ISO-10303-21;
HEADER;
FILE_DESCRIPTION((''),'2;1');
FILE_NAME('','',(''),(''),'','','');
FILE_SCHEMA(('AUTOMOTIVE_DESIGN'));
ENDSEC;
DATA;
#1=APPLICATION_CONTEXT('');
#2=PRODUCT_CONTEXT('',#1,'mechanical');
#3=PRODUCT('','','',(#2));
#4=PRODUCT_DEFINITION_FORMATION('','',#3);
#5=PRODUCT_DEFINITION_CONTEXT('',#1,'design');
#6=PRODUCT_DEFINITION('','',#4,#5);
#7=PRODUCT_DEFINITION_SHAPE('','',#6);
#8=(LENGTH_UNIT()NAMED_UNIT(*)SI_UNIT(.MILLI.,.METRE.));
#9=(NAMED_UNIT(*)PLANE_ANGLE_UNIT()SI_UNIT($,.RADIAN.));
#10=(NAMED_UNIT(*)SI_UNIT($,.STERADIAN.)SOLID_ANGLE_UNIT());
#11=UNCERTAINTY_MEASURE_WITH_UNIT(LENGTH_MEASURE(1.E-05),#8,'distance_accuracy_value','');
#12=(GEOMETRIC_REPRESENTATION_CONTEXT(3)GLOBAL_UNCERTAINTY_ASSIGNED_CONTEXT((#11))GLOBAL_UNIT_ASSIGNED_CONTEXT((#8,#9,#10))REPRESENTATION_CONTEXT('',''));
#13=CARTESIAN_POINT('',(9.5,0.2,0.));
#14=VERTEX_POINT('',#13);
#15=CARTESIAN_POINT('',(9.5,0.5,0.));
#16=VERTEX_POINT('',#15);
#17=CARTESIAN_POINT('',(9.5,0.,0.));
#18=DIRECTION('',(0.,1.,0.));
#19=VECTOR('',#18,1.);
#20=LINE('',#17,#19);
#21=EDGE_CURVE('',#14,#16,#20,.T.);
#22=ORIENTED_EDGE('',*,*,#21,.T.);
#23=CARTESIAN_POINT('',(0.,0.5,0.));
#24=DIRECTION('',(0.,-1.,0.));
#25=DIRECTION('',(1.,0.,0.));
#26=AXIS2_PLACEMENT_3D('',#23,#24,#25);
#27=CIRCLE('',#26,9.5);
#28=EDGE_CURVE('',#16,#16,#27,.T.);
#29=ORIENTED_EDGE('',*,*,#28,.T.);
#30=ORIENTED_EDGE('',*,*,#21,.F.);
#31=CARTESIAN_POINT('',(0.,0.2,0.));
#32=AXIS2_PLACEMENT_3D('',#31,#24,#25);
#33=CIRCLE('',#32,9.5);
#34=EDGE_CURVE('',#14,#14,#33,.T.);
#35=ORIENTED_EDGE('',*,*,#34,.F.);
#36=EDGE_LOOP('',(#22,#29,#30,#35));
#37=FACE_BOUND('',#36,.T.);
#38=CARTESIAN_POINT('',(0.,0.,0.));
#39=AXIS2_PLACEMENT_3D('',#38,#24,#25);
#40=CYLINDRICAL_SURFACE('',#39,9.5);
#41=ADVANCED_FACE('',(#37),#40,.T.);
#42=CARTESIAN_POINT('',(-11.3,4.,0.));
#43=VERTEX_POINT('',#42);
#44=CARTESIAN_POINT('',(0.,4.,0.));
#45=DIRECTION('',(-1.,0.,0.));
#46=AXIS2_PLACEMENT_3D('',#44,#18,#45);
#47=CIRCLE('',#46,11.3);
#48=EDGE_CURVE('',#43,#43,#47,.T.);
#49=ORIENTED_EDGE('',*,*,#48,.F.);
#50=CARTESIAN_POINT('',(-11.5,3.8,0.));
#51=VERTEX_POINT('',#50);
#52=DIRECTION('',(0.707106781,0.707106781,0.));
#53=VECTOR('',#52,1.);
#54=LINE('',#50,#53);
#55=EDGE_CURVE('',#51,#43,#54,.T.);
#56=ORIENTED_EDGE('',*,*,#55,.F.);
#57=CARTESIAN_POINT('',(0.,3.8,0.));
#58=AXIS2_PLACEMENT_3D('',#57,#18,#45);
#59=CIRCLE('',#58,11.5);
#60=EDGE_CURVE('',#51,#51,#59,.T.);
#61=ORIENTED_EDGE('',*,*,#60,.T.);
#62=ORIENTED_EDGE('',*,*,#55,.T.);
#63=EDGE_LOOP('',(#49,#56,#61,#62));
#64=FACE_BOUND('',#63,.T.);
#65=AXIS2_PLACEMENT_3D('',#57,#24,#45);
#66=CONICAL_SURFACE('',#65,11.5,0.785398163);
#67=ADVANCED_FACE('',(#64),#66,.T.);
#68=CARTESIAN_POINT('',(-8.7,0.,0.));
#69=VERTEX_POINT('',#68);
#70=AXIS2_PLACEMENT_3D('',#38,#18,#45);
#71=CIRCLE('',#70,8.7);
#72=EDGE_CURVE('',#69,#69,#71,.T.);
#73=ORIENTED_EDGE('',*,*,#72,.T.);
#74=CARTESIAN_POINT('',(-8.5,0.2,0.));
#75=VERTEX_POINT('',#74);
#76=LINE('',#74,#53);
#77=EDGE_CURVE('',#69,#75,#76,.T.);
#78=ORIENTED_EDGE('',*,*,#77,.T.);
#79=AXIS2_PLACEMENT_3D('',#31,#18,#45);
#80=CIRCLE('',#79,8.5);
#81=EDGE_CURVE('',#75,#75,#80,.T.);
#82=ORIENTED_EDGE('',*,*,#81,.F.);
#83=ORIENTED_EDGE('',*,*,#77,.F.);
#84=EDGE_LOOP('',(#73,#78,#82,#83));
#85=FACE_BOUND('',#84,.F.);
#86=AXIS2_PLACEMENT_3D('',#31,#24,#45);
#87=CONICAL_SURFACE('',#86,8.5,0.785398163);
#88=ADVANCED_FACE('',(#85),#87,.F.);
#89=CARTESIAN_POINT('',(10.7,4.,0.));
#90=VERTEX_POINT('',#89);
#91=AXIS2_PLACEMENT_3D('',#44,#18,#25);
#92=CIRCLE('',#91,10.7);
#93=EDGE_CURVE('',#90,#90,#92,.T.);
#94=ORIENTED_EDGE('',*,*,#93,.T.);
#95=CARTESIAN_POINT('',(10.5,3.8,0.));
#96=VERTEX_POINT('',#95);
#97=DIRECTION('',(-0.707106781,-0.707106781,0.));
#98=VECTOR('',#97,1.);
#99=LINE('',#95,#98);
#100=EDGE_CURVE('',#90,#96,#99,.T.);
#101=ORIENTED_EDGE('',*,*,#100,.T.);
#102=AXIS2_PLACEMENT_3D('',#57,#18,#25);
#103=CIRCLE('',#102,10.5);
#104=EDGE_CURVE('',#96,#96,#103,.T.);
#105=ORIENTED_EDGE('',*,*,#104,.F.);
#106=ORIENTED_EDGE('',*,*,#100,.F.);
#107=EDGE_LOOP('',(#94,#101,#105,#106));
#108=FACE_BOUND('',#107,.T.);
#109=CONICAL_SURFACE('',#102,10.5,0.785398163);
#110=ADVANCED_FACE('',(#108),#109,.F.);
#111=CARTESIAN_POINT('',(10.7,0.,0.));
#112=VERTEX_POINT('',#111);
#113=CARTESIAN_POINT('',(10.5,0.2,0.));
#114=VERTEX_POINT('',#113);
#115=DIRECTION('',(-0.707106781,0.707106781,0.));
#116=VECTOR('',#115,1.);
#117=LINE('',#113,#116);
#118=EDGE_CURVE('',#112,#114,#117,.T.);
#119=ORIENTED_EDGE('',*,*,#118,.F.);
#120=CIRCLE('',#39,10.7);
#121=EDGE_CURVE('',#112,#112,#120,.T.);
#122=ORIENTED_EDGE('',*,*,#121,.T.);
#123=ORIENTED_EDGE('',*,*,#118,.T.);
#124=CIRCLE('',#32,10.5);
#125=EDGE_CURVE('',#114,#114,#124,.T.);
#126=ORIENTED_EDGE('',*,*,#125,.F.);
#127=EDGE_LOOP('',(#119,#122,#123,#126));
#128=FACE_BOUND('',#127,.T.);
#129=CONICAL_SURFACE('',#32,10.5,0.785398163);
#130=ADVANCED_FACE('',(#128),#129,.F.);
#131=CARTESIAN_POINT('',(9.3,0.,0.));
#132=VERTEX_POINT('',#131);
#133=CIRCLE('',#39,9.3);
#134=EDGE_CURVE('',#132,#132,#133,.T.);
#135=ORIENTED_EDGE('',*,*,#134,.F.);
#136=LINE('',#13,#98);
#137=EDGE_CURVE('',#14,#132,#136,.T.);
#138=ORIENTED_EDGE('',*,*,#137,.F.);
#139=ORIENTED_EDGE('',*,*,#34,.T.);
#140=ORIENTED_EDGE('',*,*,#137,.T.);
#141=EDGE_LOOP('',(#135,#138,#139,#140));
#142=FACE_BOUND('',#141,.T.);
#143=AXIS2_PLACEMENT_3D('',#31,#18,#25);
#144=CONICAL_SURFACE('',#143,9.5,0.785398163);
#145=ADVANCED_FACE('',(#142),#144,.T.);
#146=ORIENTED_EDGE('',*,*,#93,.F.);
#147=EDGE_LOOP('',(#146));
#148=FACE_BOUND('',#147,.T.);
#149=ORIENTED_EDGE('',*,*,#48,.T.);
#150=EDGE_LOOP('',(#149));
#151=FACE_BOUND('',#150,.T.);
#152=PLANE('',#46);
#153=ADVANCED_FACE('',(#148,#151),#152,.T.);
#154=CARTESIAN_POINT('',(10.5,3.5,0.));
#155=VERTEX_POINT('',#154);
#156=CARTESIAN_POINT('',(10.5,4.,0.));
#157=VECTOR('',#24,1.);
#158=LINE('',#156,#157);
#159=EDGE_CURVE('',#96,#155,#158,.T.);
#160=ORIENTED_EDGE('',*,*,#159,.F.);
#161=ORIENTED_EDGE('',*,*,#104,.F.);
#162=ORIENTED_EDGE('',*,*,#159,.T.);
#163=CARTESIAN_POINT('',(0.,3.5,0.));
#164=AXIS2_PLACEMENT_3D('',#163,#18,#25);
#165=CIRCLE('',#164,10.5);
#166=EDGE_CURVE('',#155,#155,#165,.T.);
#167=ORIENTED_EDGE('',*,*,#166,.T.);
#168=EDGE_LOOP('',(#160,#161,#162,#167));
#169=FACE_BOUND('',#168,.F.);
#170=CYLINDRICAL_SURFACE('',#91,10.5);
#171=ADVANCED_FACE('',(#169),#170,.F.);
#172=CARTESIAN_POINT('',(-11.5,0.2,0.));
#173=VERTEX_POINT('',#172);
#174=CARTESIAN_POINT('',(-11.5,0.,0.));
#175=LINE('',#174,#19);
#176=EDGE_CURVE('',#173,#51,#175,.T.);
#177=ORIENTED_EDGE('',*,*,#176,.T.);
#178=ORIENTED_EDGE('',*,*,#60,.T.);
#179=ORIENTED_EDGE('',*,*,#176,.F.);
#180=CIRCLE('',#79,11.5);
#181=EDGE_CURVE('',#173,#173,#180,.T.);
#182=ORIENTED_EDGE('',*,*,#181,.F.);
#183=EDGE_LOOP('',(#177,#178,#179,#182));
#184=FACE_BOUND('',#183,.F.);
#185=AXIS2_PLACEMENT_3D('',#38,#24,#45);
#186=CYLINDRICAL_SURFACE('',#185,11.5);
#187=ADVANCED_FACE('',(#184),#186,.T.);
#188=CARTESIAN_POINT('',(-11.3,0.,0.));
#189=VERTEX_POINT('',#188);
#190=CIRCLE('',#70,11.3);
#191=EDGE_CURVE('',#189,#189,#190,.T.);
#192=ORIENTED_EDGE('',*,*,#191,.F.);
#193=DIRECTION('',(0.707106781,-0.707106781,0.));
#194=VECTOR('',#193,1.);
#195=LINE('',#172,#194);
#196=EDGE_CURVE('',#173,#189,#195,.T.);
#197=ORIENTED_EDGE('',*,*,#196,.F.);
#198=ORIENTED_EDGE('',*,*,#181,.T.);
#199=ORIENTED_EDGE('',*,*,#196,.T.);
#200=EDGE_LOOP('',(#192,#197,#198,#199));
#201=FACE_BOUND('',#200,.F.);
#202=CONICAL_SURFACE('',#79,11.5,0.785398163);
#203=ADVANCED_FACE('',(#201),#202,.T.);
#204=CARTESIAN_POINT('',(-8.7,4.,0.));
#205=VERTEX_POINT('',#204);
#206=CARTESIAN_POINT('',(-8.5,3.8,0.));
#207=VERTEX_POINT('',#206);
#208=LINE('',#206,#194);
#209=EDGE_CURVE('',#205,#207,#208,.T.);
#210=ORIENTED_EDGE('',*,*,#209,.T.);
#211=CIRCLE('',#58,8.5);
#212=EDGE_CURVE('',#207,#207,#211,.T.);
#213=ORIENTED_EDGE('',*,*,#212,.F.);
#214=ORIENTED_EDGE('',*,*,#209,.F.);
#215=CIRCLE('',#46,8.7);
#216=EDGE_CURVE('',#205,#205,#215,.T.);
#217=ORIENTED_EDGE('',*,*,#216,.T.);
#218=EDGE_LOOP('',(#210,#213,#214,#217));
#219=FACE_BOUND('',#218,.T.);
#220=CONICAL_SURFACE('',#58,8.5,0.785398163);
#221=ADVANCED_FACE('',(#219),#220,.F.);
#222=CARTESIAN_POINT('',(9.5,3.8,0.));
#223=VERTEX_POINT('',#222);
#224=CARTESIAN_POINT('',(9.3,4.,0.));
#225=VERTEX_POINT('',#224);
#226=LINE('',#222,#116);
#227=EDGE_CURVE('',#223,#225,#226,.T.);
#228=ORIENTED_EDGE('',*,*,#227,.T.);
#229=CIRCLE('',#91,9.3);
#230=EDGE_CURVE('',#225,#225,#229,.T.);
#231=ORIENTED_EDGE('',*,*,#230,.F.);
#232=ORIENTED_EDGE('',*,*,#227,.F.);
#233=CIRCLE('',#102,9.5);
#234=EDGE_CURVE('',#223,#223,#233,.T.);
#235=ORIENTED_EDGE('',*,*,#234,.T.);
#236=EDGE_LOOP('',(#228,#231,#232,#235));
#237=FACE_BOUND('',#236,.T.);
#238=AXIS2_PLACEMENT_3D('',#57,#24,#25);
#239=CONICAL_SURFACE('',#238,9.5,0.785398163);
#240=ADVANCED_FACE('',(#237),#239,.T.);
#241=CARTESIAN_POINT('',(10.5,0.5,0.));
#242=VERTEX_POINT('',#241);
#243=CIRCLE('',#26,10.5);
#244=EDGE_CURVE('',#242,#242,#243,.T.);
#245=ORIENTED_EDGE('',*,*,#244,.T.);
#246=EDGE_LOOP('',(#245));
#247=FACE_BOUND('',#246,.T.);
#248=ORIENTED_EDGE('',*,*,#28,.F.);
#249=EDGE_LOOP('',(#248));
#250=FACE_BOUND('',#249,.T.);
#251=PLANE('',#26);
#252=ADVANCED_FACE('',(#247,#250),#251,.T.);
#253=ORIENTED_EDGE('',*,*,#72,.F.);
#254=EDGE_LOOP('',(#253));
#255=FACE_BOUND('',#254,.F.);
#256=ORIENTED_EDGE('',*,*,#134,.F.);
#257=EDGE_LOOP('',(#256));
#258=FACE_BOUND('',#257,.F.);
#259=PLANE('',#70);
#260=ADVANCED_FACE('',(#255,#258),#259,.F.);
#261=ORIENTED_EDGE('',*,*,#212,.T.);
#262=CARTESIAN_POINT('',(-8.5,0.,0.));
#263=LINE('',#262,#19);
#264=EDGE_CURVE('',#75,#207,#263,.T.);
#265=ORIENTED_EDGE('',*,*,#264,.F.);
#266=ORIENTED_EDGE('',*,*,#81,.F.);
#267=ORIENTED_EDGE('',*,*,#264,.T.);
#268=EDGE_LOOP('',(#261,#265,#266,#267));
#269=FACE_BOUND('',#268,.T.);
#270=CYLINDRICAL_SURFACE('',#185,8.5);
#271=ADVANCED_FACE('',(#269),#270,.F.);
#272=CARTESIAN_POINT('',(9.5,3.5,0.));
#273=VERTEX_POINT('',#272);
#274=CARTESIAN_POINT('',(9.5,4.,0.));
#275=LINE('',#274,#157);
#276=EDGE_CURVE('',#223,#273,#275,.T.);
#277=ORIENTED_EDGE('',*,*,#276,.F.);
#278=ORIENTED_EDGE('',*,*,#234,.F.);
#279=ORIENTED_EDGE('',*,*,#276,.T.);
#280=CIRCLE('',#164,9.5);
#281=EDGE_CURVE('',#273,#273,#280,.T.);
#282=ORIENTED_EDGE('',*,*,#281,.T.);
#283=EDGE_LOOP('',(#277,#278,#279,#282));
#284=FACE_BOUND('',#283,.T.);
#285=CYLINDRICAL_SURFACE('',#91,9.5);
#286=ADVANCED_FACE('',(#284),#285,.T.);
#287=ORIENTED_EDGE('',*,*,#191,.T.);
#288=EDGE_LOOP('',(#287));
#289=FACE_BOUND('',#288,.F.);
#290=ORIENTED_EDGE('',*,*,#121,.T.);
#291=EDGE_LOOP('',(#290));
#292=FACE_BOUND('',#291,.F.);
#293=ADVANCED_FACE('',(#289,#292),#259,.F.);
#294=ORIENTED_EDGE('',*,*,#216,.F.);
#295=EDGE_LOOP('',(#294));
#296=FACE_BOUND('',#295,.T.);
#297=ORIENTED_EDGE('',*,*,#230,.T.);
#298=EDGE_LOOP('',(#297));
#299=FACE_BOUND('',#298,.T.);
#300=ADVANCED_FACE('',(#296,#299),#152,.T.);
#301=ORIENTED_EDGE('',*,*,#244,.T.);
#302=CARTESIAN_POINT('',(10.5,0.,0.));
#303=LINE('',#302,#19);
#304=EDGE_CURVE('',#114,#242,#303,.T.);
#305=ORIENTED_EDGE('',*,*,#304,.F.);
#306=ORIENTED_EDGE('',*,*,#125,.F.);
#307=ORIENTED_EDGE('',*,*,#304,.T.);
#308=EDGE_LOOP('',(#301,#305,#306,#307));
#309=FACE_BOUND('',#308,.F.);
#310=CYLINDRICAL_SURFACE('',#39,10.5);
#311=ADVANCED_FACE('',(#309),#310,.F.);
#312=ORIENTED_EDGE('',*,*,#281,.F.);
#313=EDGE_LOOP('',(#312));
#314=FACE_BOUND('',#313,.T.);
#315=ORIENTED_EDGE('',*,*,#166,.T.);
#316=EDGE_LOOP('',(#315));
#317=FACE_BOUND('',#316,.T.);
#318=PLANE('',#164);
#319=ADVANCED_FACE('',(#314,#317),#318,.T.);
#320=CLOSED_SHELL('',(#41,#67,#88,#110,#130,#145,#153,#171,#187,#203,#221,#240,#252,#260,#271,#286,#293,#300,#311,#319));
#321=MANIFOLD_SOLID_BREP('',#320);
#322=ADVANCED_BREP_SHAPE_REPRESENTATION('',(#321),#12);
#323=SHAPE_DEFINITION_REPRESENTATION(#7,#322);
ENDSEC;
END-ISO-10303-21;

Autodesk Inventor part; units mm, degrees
ref_plane "YZ Plane" through (0, 0, 0) normal (1, 0, 0) x (0, 1, 0)
ref_plane "XZ Plane" through (0, 0, 0) normal (0, 1, 0) x (-1, 0, 0)
ref_plane "XY Plane" through (0, 0, 0) normal (0, 0, 1) x (1, 0, 0)
sketch "Эскиз1" plane through (0, 0, 0) normal (0, 1, 0) x (-1, 0, 0)
  circle A0 centre (0, 0) radius 11.5
  circle A1 centre (0, 0) radius 8.5
  dimension "d0" = 23
  dimension "d1" = 17
extrude "Выдавливание1" add sketch "Эскиз1" along normal blind 4
sketch "Эскиз2" plane through (0, 4, 0) normal (0, 1, 0) x (1, 0, 0)
  circle A0 centre (0, 0) radius 9.5
  circle A1 centre (0, 0) radius 10.5
  circle A2 centre (0, 0) radius 11.5 projected
  circle A3 centre (0, 0) radius 8.5 projected
  dimension "d4" = 1
  dimension "d5" = 1
extrude "Выдавливание2" cut sketch "Эскиз2" against normal blind 0.5 contours A1
sketch "Эскиз3" plane through (0, 0, 0) normal (0, -1, 0) x (1, 0, 0)
  circle A0 centre (0, 0) radius 9.5 projected
  circle A1 centre (0, 0) radius 10.5 projected
extrude "Выдавливание3" cut sketch "Эскиз3" against normal blind 0.5
chamfer "Фаска1" distance 0.2 angle 45 8 edges at (-9.5, 0, 0) (8.5, 0, 0) (-10.5, 0, 0) (11.5, 0, 0) (11.5, 4, 0) (-10.5, 4, 0) (-9.5, 4, 0) (8.5, 4, 0)
properties part number "Подшипник 17x23x4" material "Титан"
